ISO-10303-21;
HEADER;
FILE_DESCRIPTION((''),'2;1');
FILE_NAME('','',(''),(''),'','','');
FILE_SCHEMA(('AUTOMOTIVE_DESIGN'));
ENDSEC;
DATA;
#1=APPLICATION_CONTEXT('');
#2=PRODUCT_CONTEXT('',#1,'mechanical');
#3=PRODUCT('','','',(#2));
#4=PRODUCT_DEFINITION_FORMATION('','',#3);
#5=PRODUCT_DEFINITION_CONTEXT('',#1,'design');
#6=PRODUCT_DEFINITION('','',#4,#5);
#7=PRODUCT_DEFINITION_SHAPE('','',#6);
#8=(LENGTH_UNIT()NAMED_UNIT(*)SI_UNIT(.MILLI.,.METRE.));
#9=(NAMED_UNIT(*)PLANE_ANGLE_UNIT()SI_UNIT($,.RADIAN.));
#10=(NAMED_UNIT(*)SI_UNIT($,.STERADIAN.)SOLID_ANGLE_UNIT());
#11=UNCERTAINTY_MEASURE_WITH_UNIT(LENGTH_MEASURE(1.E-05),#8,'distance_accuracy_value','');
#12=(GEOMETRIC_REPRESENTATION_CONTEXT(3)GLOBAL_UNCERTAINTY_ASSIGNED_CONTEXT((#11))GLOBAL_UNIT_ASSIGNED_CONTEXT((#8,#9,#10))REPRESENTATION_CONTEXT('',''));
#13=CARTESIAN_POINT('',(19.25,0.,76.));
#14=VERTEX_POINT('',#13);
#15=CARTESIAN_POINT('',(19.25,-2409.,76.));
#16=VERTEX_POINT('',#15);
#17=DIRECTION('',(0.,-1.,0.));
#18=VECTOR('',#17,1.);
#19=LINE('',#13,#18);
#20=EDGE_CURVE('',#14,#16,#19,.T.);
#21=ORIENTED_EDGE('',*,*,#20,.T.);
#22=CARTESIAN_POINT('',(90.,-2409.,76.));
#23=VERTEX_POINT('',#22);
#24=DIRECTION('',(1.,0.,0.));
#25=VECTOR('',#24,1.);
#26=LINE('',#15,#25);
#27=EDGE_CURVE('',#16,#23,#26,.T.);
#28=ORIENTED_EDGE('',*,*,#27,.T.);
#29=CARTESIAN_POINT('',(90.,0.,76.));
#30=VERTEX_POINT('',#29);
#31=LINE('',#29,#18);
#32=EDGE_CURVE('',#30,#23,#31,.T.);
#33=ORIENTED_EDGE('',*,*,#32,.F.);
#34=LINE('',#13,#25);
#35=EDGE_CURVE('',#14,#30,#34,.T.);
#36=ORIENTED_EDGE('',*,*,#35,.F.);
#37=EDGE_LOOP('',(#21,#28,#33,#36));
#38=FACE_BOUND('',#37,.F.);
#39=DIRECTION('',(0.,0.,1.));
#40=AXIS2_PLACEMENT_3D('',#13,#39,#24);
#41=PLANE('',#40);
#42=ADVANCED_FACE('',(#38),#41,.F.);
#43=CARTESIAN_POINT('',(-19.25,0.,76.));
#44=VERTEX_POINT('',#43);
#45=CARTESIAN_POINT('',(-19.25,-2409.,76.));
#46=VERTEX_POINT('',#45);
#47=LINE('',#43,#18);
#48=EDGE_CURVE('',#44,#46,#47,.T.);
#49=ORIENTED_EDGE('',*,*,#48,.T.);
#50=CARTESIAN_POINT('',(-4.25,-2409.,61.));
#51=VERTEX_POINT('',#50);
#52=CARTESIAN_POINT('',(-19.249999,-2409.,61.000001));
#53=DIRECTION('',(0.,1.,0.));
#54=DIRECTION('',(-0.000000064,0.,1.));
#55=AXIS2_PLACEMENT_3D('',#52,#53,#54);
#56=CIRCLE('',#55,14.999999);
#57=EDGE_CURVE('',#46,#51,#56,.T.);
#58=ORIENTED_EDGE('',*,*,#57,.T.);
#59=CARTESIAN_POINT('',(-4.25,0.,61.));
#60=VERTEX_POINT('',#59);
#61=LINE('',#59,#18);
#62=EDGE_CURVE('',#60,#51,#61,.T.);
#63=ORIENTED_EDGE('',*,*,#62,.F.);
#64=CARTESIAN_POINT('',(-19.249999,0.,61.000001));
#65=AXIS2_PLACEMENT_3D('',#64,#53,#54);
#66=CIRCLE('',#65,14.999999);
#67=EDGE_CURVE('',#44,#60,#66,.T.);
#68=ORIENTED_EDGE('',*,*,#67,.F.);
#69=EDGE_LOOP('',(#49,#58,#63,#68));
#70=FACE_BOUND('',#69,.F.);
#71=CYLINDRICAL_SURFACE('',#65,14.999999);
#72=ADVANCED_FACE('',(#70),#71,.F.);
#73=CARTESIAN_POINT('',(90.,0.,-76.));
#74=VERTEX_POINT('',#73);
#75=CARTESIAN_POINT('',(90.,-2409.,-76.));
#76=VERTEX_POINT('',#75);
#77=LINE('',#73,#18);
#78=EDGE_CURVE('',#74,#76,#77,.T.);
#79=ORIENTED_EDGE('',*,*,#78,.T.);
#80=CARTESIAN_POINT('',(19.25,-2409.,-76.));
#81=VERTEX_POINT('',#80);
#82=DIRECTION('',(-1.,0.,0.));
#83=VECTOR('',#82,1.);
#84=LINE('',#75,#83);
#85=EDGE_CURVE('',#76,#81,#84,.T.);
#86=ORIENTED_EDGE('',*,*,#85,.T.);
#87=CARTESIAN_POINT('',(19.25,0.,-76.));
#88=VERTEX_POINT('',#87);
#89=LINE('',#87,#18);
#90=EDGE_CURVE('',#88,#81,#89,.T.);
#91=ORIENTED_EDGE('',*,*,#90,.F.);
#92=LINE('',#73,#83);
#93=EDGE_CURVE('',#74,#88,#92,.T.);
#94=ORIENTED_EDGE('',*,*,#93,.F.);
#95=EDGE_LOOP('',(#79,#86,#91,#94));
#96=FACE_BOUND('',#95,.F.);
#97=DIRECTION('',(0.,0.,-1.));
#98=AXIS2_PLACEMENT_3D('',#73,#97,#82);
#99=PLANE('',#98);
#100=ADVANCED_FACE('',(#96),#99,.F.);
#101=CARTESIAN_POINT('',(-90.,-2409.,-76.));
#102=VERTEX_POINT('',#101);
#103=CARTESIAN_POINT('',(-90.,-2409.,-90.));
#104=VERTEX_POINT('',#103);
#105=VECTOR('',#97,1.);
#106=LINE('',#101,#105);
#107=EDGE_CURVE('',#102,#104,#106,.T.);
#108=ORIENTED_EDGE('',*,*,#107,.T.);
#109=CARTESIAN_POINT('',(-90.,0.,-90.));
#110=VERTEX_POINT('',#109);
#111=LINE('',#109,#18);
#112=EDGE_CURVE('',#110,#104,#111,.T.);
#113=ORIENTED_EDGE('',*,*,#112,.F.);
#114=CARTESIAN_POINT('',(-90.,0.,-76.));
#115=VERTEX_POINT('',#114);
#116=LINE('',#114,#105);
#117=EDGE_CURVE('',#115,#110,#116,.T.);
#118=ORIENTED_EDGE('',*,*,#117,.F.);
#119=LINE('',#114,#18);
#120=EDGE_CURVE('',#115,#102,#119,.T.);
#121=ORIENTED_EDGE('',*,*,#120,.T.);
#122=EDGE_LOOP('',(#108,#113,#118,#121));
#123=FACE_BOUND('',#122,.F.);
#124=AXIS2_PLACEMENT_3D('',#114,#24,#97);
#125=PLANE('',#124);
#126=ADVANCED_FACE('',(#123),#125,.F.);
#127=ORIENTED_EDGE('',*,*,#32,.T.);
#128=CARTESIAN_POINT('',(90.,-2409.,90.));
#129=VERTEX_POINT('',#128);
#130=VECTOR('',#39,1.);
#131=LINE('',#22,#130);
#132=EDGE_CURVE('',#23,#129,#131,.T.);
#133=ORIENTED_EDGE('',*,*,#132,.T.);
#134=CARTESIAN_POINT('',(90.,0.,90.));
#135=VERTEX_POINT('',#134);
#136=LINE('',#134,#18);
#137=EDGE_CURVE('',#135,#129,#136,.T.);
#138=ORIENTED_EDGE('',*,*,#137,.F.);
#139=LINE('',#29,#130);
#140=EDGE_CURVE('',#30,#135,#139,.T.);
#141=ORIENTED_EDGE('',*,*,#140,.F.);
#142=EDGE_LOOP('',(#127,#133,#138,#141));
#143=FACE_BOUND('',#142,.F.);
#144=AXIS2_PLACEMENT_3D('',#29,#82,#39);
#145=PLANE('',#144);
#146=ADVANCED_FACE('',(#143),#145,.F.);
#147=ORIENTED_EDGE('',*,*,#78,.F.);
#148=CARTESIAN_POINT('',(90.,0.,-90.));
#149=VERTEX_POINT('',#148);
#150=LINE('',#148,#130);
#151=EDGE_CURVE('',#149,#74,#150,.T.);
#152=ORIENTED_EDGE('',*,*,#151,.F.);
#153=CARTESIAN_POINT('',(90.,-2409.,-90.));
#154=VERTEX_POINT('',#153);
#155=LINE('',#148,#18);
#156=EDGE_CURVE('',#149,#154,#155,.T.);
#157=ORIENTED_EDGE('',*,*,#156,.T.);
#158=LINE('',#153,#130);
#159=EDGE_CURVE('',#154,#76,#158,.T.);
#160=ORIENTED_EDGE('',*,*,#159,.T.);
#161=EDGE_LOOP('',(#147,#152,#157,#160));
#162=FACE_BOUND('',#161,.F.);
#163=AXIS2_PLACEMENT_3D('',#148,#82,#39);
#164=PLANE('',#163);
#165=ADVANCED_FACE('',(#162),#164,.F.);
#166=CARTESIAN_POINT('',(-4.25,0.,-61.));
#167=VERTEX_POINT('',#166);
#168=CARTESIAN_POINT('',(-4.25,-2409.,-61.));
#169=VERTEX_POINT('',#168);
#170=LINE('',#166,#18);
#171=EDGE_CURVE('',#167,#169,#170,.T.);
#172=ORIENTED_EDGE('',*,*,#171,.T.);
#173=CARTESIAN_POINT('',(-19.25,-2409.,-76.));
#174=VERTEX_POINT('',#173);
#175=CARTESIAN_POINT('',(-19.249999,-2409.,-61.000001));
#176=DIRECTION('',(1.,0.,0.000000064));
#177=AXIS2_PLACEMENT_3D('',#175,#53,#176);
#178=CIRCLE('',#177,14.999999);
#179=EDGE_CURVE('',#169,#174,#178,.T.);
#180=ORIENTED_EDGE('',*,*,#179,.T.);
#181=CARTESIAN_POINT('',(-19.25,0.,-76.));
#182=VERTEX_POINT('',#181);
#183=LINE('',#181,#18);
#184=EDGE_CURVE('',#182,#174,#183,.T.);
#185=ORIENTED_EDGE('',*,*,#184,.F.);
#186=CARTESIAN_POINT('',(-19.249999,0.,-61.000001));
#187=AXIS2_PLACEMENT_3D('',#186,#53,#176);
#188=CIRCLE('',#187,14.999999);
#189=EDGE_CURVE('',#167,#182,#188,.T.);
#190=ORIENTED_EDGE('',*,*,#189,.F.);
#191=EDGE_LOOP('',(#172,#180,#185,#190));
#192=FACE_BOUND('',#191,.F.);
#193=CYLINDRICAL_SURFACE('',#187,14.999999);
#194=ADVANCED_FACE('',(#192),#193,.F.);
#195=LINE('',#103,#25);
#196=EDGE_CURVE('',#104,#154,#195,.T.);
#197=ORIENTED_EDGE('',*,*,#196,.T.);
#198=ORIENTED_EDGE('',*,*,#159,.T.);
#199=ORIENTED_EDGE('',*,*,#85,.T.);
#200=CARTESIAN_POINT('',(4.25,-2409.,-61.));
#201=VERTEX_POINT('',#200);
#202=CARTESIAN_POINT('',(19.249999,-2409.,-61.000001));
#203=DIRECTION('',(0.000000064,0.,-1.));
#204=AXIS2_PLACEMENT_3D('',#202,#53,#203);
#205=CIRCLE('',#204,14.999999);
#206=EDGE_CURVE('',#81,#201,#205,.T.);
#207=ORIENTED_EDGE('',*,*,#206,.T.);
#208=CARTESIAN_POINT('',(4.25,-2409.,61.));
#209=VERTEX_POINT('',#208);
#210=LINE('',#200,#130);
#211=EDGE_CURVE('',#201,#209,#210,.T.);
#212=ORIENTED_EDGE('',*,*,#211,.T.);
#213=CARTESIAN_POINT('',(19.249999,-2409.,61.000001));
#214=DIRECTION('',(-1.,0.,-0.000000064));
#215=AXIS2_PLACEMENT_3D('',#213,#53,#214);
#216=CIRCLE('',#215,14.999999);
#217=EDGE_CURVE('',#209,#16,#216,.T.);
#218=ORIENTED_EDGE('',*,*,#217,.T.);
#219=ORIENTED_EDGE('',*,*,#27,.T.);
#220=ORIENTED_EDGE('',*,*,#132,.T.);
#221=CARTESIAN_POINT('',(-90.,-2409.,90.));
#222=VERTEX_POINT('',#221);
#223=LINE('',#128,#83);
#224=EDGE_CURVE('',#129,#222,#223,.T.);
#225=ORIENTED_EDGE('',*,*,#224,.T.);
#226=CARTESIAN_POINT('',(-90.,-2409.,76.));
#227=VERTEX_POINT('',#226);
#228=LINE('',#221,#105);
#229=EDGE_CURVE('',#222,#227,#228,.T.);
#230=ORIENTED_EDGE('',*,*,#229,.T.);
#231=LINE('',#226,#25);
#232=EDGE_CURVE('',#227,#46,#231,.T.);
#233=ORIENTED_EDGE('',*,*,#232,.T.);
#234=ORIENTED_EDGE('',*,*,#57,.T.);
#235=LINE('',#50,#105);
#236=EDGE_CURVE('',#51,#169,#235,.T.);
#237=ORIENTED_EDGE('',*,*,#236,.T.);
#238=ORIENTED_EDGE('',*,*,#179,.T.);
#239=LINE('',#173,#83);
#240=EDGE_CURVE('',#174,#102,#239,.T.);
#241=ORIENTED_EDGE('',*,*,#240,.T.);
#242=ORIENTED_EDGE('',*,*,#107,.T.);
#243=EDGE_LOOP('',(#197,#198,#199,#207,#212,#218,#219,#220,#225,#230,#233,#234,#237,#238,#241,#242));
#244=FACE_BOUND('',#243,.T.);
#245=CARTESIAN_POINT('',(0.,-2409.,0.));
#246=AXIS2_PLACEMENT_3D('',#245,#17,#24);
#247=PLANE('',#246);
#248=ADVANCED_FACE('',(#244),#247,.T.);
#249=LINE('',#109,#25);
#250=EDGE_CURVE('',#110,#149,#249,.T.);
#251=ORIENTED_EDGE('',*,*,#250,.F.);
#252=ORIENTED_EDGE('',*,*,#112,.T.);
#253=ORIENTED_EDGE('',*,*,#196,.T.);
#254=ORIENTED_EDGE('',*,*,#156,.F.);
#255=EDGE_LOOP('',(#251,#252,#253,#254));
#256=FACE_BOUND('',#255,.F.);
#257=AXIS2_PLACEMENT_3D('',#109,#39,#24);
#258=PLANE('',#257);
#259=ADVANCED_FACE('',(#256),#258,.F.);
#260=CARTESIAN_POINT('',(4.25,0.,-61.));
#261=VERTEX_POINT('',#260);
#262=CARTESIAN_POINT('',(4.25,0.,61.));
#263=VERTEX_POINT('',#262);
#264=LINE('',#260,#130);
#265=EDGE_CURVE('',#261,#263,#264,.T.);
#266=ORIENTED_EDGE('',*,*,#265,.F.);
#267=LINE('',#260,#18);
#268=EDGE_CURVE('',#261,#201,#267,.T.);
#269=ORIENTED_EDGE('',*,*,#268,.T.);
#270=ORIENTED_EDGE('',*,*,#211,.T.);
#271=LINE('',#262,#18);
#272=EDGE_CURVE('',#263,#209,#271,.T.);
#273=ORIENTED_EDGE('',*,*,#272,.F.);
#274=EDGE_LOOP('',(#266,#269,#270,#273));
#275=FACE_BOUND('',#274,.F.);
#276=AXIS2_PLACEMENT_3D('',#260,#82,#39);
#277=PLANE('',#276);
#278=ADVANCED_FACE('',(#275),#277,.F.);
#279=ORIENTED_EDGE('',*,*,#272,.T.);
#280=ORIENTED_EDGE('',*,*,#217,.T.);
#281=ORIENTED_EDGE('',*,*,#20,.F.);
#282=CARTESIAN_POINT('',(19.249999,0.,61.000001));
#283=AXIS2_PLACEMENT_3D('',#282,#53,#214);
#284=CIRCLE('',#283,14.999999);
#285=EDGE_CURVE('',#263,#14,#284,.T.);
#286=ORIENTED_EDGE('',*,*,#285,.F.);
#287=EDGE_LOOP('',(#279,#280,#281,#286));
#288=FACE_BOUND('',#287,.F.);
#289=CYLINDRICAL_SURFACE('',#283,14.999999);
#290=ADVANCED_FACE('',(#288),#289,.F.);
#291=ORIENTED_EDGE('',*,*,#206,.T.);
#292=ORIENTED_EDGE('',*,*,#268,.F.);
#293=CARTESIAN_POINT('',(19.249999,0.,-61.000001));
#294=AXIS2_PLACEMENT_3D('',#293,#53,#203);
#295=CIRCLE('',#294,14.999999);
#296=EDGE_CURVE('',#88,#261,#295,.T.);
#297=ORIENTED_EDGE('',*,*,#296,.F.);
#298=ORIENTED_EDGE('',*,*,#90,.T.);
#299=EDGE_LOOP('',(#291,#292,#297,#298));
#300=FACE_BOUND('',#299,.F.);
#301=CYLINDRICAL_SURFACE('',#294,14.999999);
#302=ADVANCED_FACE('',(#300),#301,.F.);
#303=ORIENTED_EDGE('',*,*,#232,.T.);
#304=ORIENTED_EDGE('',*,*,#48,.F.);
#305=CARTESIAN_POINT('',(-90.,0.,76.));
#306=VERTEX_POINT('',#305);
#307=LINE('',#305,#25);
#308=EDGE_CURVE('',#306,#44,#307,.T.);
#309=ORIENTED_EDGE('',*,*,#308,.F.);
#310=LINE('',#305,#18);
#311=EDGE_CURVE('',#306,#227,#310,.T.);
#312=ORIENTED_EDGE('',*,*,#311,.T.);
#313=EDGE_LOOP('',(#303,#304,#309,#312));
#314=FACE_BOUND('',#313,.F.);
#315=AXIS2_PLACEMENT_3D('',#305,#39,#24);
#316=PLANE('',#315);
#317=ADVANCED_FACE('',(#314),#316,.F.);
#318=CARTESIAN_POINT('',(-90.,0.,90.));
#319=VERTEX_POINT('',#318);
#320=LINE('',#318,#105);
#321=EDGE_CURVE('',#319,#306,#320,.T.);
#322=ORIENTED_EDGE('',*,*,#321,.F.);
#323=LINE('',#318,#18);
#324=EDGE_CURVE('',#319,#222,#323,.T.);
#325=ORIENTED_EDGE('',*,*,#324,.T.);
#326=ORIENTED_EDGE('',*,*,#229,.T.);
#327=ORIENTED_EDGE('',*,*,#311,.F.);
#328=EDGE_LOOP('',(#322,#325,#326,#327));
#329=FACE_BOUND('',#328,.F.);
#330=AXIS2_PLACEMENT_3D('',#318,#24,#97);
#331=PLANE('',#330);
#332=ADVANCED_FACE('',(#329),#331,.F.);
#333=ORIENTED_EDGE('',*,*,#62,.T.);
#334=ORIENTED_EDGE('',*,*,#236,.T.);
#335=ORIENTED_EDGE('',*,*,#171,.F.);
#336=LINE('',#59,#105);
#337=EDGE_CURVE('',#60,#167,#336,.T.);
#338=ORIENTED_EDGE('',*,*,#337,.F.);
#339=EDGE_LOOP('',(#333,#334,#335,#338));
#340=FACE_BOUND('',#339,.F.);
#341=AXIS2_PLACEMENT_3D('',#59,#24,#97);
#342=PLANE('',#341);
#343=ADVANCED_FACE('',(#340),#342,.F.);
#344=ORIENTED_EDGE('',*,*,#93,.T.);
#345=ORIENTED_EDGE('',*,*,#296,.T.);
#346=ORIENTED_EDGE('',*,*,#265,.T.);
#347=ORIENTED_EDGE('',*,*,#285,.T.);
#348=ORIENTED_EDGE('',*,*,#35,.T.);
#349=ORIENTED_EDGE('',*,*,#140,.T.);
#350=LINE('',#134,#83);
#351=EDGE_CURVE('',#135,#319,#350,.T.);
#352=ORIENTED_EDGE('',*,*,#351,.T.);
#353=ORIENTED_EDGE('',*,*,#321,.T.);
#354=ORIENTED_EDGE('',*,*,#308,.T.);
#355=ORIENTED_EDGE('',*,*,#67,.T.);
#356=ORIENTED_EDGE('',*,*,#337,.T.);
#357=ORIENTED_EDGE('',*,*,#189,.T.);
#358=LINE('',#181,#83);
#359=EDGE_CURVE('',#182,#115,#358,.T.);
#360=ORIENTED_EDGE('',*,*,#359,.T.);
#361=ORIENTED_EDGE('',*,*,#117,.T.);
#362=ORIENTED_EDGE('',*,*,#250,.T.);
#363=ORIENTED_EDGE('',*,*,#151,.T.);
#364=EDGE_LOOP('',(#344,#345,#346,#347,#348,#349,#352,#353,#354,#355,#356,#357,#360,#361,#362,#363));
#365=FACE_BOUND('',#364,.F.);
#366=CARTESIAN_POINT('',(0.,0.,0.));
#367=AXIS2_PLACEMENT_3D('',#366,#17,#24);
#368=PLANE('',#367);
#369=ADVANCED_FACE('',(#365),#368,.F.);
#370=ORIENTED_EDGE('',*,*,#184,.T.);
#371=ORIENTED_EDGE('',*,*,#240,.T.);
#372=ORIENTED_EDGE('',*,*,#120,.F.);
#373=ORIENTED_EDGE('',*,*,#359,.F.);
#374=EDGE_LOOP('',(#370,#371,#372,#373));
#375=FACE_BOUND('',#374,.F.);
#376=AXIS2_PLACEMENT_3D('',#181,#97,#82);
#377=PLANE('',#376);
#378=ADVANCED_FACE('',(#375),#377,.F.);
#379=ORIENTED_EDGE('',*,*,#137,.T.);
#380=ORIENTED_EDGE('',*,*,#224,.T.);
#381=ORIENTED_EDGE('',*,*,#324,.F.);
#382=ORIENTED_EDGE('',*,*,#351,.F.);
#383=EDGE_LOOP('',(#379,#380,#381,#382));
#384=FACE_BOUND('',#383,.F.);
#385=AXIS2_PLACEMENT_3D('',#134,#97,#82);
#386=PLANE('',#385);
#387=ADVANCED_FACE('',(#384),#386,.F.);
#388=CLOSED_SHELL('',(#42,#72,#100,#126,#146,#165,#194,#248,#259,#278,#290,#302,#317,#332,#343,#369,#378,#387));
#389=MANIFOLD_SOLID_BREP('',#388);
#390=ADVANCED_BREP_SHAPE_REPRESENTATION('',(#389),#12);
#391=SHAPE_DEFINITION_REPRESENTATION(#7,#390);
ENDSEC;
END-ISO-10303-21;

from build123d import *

# Parameters (mm, degrees)
F1_DEPTH = 2409


with BuildPart() as f1:
    # F0 (on Front) → F1 (new body)
    with BuildSketch(Plane.XZ):
        with BuildLine():
            Line((-90, -90), (90, -90))
            Line((90, -90), (90, -76))
            Line((90, -76), (19.25, -76))
            ThreePointArc((19.25, -76), (8.643398, -71.606602), (4.25, -61))
            Line((4.25, -61), (4.25, 61))
            ThreePointArc((4.25, 61), (8.643398, 71.606602), (19.25, 76))
            Line((19.25, 76), (90, 76))
            Line((90, 76), (90, 90))
            Line((90, 90), (-90, 90))
            Line((-90, 90), (-90, 76))
            Line((-90, 76), (-19.25, 76))
            ThreePointArc((-19.25, 76), (-8.643398, 71.606602), (-4.25, 61))
            Line((-4.25, 61), (-4.25, -61))
            ThreePointArc((-4.25, -61), (-8.643398, -71.606602), (-19.25, -76))
            Line((-19.25, -76), (-90, -76))
            Line((-90, -76), (-90, -90))
        make_face()
    extrude(amount=F1_DEPTH)


solid = f1.part
